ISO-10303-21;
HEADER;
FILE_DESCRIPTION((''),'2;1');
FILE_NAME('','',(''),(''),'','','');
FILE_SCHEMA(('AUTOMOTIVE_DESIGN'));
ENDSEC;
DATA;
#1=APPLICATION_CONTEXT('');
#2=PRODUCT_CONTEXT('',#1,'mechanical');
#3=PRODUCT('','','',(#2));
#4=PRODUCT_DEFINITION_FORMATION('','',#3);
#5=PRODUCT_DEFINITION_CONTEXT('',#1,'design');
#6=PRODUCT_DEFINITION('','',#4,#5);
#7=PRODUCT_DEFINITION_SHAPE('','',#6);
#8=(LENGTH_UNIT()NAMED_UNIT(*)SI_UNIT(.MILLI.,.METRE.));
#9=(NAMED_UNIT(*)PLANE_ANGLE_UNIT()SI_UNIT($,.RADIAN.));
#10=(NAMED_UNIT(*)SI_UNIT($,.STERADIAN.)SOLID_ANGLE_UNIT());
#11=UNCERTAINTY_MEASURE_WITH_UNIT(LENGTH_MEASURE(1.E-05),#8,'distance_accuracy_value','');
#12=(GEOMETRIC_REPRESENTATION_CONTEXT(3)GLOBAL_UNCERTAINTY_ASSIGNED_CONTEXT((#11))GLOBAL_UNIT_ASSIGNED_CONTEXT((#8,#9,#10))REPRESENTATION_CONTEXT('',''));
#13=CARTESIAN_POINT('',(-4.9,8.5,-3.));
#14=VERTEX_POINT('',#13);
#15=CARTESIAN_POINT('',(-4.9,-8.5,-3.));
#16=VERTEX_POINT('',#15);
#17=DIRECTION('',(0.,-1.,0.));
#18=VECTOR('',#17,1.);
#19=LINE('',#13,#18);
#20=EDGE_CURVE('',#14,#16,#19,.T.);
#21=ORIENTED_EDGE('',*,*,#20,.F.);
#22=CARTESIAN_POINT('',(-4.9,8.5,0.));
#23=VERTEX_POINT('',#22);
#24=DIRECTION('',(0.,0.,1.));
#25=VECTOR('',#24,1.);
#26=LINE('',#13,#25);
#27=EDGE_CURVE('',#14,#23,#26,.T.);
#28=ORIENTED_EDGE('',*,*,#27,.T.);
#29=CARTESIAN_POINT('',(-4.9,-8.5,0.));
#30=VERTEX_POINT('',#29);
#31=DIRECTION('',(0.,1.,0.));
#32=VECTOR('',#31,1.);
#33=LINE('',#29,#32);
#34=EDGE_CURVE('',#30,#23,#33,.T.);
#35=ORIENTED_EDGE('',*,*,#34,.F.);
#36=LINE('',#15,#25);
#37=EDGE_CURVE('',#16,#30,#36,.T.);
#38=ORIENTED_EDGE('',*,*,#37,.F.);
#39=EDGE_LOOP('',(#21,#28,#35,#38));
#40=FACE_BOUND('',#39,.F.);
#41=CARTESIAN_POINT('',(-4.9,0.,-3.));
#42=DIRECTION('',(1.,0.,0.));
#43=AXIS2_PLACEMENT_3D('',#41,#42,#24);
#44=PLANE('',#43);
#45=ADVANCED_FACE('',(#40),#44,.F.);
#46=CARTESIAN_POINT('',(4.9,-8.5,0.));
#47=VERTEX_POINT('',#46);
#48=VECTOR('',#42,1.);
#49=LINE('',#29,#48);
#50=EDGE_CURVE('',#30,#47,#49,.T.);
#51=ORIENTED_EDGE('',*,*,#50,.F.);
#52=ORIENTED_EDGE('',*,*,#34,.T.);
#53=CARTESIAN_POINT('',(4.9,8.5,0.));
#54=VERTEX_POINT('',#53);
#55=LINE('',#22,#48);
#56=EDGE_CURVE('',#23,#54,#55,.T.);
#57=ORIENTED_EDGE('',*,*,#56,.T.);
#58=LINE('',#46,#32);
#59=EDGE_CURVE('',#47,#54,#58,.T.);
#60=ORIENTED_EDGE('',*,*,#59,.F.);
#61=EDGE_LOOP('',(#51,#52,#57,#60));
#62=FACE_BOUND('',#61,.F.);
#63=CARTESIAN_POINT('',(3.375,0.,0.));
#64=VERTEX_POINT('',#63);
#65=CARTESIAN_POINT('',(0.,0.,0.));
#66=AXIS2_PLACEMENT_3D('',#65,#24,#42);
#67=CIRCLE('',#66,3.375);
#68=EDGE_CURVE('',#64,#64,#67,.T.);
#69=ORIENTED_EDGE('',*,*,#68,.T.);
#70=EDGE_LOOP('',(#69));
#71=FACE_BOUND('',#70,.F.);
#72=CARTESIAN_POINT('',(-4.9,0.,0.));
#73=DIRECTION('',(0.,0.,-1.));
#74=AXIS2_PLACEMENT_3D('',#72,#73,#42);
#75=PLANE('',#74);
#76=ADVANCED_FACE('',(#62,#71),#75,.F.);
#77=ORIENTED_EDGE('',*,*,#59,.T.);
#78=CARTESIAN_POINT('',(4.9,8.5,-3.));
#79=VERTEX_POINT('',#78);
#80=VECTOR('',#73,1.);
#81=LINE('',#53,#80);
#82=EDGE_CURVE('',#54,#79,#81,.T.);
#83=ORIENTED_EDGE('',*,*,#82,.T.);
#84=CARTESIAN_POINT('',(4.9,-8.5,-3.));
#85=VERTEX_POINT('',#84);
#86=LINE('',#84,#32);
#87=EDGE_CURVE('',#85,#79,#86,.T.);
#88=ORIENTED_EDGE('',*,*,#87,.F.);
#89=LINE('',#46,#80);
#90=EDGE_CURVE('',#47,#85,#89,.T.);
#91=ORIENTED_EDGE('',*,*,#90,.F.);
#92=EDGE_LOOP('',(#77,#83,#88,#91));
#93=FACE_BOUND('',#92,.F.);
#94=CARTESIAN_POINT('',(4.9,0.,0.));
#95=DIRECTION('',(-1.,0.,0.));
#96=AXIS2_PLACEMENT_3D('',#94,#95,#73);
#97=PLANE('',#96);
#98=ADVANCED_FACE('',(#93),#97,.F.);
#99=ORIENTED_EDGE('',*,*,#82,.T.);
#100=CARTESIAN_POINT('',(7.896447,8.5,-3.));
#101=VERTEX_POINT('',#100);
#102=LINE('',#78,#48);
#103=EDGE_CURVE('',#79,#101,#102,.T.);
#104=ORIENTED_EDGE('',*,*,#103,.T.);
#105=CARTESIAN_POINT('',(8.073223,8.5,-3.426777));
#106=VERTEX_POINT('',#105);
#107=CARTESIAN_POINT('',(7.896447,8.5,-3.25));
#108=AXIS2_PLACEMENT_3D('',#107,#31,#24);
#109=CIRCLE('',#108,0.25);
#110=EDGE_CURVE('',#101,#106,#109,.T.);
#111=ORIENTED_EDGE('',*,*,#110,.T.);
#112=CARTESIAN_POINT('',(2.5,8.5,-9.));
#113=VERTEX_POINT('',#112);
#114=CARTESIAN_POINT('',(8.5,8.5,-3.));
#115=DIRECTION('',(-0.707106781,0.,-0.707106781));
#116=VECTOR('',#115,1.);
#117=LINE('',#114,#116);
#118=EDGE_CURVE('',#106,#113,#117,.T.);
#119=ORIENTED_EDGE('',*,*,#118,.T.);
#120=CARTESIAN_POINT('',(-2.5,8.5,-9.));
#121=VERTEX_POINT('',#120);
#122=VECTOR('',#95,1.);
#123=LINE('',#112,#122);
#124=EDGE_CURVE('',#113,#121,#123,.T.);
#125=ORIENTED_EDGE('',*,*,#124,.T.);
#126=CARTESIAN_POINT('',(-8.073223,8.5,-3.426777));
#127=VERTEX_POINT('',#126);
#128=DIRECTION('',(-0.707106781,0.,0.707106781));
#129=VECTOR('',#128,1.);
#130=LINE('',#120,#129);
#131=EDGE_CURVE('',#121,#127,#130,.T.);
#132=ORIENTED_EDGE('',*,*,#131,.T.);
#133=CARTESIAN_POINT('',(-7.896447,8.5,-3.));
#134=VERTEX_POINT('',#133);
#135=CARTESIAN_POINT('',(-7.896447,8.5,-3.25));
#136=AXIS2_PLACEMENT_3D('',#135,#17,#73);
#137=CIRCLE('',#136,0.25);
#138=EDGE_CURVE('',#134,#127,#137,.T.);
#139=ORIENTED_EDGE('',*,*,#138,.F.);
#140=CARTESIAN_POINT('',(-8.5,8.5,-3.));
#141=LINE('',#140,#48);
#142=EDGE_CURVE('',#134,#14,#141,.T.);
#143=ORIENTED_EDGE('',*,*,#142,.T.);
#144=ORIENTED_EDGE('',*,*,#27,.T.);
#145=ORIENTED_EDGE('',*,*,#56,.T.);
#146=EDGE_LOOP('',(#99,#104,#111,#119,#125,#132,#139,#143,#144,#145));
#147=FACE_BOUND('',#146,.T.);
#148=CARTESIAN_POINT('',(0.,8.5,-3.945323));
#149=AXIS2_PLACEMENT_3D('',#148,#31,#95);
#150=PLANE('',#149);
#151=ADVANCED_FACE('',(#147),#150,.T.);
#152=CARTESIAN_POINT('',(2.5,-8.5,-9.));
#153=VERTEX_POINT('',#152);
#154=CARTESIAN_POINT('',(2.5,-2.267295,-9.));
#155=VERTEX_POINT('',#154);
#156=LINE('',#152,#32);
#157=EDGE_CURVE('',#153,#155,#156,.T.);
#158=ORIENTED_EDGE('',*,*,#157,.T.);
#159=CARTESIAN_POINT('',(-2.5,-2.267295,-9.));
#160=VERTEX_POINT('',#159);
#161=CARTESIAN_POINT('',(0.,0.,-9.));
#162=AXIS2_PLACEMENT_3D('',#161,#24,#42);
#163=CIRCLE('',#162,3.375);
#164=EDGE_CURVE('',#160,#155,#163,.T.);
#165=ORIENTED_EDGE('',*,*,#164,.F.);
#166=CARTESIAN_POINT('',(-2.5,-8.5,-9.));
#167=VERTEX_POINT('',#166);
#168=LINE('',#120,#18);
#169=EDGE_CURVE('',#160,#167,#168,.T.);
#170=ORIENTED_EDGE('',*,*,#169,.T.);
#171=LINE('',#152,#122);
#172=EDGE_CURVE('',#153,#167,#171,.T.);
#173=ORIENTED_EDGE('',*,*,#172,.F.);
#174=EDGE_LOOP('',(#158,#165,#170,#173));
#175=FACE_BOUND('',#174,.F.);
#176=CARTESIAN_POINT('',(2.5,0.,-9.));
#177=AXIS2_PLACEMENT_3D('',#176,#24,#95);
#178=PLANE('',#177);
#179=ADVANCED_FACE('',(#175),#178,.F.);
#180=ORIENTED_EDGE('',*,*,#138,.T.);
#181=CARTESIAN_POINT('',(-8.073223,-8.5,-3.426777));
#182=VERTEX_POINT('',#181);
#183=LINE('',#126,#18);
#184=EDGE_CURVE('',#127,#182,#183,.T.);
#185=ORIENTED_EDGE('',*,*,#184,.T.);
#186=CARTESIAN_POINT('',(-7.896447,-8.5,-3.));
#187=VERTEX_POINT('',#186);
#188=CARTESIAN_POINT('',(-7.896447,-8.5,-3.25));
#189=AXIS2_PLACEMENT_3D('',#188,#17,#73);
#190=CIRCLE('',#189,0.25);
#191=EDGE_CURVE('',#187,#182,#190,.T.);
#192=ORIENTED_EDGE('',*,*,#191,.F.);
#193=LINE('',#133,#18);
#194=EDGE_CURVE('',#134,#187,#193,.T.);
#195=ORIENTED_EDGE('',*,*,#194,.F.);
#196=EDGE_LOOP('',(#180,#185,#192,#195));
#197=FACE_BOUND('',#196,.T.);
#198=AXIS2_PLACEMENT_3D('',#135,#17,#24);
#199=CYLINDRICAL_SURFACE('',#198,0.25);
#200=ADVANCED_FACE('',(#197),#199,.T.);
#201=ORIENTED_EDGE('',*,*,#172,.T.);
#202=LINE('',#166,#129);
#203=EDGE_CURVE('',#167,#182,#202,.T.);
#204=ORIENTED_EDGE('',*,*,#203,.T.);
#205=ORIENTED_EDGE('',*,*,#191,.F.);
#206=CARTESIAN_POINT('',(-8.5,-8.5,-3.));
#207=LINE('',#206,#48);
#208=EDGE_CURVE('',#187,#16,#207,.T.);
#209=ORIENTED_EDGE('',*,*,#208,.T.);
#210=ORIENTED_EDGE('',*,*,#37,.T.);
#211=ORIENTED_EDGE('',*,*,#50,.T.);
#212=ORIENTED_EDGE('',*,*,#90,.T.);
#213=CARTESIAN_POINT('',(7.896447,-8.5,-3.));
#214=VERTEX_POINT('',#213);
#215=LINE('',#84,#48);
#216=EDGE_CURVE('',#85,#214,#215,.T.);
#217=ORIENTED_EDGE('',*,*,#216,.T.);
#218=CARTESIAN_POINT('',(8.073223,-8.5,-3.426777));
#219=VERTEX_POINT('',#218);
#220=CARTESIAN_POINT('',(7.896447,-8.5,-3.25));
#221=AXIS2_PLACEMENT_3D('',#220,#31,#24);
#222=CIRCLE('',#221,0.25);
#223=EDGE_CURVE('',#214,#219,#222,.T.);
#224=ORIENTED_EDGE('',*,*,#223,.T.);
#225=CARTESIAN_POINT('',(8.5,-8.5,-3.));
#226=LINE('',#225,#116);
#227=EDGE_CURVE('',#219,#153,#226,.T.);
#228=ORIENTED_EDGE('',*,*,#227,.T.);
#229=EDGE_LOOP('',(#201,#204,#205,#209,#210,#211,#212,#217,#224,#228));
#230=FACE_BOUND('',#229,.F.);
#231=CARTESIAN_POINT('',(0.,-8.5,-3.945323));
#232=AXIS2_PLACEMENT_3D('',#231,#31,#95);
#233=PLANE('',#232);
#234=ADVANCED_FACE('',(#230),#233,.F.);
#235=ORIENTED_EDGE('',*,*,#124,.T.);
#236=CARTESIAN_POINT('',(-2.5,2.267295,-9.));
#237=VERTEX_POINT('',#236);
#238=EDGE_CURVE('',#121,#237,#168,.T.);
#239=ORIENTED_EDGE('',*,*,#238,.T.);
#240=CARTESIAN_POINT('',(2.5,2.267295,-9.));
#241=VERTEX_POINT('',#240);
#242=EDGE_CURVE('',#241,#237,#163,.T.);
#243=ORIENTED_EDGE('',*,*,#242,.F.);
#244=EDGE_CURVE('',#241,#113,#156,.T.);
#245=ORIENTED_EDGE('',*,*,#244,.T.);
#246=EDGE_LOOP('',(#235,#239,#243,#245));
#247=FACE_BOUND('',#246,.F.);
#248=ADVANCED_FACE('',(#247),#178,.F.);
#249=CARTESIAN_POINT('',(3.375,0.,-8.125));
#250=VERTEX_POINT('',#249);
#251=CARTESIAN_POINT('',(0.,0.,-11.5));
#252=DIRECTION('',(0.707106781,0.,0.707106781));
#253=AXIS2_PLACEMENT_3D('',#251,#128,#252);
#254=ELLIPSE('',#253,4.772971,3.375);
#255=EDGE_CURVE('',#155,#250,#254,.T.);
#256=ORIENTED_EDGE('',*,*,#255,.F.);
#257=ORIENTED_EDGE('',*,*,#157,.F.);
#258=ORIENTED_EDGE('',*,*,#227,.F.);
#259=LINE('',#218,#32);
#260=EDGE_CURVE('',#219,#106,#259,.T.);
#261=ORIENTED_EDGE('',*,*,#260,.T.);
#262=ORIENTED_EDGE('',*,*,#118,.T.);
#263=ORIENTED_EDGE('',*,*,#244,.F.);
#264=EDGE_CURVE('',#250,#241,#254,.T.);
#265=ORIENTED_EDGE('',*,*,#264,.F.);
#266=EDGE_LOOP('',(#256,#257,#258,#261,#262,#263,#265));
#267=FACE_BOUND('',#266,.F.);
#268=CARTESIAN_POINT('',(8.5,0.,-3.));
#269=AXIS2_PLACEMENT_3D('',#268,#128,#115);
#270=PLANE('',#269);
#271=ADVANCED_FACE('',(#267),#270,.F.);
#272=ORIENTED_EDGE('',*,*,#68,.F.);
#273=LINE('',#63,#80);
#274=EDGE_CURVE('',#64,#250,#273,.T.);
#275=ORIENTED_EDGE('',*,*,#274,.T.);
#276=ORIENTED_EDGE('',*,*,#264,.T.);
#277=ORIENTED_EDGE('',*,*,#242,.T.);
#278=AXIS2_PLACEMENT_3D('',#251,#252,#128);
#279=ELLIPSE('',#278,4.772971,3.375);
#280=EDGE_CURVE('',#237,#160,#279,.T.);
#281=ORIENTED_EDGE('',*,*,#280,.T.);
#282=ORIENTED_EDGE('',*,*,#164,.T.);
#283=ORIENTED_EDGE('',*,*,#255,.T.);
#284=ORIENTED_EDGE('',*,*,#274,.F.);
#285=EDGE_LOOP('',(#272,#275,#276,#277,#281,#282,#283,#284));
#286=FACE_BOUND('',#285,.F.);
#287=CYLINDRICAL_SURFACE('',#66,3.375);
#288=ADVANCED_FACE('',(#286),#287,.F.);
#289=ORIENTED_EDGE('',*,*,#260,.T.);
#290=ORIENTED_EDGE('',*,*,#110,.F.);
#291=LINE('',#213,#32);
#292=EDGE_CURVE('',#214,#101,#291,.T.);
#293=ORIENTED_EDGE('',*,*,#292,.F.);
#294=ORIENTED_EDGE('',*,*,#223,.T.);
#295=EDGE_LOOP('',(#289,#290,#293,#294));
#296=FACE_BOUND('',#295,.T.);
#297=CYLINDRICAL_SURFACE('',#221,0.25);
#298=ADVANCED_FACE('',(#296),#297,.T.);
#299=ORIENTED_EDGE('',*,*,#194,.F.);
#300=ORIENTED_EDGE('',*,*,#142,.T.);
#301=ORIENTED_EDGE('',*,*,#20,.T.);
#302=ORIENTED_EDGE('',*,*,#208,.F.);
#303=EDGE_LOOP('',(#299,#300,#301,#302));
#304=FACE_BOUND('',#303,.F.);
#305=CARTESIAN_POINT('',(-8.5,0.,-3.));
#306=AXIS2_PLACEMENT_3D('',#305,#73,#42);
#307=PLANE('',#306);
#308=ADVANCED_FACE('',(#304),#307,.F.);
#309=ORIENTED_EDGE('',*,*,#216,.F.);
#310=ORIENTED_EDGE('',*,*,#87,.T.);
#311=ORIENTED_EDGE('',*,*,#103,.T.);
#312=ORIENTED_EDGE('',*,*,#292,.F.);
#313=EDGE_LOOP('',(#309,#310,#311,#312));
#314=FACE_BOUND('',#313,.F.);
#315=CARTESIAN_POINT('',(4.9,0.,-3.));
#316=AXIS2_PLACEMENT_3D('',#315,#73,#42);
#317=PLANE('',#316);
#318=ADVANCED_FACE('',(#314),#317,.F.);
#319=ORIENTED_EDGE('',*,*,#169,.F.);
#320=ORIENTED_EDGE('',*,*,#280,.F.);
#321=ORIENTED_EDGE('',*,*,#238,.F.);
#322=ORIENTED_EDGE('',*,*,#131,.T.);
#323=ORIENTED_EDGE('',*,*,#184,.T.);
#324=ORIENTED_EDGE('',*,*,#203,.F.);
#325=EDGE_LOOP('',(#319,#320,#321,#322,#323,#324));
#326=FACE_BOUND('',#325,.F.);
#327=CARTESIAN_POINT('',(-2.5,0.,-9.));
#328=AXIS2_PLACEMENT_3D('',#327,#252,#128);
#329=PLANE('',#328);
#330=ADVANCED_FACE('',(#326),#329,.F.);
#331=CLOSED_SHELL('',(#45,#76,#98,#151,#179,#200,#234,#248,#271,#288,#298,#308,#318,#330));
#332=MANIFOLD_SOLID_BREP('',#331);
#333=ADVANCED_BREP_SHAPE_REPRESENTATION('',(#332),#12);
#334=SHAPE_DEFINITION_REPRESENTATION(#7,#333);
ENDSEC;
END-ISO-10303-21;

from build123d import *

# Parameters (mm, degrees)
PAD027_DEPTH  = 8.5
SKETCH076_R   = 3.375
HOLE015_DEPTH = 9.001
FILLET005_R   = 0.25


with BuildPart() as part:
    # Sketch075 → Pad027 (new body, symmetric)
    with BuildSketch(Plane.XZ):
        Polygon((-4.9, -3), (-4.9, 0), (4.9, 0), (4.9, -3), (8.5, -3), (2.5, -9), (-2.5, -9), (-8.5, -3), align=None)
    extrude(amount=PAD027_DEPTH, both=True)

    # Sketch076 → Hole015 (cut, through all)
    with BuildSketch(Plane.XY):
        Circle(SKETCH076_R)
    extrude(amount=-HOLE015_DEPTH, mode=Mode.SUBTRACT)

    # Fillet005
    fillet005_edges = [part.edges().sort_by_distance(p)[0] for p in [
        (8.5, 0, -3),
        (-8.5, 0, -3),
    ]]
    fillet(fillet005_edges, radius=FILLET005_R)


solid = part.part
